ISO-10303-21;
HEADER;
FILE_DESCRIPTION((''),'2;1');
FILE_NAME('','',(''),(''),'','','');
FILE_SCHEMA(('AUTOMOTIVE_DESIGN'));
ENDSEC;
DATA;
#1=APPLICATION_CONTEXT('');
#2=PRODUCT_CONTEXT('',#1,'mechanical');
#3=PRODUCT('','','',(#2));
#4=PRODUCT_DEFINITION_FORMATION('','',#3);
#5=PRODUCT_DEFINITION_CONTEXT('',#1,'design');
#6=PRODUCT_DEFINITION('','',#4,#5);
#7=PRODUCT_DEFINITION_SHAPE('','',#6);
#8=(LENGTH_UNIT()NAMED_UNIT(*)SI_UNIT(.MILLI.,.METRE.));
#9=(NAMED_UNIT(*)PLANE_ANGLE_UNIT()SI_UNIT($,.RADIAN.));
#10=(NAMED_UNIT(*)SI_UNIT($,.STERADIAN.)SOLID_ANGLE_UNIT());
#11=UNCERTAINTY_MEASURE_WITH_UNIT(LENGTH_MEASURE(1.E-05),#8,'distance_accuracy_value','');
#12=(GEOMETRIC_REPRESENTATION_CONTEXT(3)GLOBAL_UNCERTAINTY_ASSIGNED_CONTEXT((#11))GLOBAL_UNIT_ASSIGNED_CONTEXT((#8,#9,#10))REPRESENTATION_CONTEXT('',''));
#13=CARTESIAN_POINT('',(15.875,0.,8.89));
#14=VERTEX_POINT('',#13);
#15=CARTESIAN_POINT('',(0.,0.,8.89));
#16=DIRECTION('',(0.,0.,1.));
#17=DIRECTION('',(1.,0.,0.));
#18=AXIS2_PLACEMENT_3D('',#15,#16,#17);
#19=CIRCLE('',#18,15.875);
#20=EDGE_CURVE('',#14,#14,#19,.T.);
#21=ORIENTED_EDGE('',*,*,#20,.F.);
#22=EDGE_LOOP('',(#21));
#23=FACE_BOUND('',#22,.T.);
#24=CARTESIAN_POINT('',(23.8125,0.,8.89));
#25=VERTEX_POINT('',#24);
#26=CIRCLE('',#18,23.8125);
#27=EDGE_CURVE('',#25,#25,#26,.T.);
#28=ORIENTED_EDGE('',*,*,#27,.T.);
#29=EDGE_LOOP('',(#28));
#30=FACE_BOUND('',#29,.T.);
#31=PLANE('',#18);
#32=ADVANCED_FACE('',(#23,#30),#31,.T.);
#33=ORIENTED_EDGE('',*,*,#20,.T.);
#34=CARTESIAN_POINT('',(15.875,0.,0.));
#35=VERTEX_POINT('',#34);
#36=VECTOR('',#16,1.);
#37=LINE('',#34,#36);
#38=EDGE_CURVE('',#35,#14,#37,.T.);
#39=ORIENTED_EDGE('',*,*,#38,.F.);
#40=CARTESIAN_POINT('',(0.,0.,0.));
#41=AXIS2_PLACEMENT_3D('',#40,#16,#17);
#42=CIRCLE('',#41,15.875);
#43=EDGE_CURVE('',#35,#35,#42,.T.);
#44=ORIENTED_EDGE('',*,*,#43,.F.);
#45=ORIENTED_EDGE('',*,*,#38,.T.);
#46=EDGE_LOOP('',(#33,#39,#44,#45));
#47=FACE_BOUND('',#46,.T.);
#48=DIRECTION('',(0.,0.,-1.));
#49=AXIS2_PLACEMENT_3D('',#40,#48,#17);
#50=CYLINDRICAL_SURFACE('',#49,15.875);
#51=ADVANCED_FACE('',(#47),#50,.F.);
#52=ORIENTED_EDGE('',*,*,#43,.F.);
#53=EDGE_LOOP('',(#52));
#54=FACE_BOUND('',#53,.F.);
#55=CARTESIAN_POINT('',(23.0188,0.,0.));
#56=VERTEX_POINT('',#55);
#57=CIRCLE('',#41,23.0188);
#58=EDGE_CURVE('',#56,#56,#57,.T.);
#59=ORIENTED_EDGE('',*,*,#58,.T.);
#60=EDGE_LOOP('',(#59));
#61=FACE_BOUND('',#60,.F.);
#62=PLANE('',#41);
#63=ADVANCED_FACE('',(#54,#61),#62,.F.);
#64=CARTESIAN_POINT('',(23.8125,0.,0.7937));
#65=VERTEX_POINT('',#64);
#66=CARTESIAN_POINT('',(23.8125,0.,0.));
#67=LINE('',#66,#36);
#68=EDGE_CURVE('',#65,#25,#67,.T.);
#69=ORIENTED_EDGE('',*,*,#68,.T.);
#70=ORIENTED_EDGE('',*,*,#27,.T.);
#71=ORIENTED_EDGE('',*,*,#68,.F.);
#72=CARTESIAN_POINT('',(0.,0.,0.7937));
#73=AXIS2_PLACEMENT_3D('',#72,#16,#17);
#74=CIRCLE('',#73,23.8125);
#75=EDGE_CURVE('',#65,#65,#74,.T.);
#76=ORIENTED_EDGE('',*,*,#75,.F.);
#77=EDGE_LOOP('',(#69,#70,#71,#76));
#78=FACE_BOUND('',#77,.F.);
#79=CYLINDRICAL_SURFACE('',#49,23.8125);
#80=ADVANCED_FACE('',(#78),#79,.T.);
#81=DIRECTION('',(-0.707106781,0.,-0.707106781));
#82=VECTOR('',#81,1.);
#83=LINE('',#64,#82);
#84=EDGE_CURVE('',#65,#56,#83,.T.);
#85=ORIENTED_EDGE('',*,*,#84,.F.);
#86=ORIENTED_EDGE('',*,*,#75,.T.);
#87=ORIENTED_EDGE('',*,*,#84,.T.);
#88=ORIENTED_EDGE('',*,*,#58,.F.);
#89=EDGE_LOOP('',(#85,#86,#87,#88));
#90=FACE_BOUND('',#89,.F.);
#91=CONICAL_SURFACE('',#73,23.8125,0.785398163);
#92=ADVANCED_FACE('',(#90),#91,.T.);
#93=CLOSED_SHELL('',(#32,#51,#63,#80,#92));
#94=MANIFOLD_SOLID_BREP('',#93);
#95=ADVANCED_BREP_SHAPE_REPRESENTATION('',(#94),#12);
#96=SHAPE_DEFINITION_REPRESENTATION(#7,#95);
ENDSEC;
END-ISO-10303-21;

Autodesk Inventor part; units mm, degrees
ref_plane "YZ Plane" through (0, 0, 0) normal (1, 0, 0) x (0, 1, 0)
ref_plane "XZ Plane" through (0, 0, 0) normal (0, 1, 0) x (-1, 0, 0)
ref_plane "XY Plane" through (0, 0, 0) normal (0, 0, 1) x (1, 0, 0)
sketch "Sketch1" plane through (0, 0, 0) normal (0, 0, 1) x (1, 0, 0)
  circle A0 centre (0, 0) radius 15.875
  circle A1 centre (0, 0) radius 23.8125
  dimension "d0" = 31.75
  dimension "d1" = 47.625
extrude "Extrusion1" add sketch "Sketch1" along normal blind 8.89
chamfer "Chamfer1" distance 0.7937 angle 45 1 edges at (-23.8125, 0, 0)
properties part number "Tire" material "Rubber, Silicone"
